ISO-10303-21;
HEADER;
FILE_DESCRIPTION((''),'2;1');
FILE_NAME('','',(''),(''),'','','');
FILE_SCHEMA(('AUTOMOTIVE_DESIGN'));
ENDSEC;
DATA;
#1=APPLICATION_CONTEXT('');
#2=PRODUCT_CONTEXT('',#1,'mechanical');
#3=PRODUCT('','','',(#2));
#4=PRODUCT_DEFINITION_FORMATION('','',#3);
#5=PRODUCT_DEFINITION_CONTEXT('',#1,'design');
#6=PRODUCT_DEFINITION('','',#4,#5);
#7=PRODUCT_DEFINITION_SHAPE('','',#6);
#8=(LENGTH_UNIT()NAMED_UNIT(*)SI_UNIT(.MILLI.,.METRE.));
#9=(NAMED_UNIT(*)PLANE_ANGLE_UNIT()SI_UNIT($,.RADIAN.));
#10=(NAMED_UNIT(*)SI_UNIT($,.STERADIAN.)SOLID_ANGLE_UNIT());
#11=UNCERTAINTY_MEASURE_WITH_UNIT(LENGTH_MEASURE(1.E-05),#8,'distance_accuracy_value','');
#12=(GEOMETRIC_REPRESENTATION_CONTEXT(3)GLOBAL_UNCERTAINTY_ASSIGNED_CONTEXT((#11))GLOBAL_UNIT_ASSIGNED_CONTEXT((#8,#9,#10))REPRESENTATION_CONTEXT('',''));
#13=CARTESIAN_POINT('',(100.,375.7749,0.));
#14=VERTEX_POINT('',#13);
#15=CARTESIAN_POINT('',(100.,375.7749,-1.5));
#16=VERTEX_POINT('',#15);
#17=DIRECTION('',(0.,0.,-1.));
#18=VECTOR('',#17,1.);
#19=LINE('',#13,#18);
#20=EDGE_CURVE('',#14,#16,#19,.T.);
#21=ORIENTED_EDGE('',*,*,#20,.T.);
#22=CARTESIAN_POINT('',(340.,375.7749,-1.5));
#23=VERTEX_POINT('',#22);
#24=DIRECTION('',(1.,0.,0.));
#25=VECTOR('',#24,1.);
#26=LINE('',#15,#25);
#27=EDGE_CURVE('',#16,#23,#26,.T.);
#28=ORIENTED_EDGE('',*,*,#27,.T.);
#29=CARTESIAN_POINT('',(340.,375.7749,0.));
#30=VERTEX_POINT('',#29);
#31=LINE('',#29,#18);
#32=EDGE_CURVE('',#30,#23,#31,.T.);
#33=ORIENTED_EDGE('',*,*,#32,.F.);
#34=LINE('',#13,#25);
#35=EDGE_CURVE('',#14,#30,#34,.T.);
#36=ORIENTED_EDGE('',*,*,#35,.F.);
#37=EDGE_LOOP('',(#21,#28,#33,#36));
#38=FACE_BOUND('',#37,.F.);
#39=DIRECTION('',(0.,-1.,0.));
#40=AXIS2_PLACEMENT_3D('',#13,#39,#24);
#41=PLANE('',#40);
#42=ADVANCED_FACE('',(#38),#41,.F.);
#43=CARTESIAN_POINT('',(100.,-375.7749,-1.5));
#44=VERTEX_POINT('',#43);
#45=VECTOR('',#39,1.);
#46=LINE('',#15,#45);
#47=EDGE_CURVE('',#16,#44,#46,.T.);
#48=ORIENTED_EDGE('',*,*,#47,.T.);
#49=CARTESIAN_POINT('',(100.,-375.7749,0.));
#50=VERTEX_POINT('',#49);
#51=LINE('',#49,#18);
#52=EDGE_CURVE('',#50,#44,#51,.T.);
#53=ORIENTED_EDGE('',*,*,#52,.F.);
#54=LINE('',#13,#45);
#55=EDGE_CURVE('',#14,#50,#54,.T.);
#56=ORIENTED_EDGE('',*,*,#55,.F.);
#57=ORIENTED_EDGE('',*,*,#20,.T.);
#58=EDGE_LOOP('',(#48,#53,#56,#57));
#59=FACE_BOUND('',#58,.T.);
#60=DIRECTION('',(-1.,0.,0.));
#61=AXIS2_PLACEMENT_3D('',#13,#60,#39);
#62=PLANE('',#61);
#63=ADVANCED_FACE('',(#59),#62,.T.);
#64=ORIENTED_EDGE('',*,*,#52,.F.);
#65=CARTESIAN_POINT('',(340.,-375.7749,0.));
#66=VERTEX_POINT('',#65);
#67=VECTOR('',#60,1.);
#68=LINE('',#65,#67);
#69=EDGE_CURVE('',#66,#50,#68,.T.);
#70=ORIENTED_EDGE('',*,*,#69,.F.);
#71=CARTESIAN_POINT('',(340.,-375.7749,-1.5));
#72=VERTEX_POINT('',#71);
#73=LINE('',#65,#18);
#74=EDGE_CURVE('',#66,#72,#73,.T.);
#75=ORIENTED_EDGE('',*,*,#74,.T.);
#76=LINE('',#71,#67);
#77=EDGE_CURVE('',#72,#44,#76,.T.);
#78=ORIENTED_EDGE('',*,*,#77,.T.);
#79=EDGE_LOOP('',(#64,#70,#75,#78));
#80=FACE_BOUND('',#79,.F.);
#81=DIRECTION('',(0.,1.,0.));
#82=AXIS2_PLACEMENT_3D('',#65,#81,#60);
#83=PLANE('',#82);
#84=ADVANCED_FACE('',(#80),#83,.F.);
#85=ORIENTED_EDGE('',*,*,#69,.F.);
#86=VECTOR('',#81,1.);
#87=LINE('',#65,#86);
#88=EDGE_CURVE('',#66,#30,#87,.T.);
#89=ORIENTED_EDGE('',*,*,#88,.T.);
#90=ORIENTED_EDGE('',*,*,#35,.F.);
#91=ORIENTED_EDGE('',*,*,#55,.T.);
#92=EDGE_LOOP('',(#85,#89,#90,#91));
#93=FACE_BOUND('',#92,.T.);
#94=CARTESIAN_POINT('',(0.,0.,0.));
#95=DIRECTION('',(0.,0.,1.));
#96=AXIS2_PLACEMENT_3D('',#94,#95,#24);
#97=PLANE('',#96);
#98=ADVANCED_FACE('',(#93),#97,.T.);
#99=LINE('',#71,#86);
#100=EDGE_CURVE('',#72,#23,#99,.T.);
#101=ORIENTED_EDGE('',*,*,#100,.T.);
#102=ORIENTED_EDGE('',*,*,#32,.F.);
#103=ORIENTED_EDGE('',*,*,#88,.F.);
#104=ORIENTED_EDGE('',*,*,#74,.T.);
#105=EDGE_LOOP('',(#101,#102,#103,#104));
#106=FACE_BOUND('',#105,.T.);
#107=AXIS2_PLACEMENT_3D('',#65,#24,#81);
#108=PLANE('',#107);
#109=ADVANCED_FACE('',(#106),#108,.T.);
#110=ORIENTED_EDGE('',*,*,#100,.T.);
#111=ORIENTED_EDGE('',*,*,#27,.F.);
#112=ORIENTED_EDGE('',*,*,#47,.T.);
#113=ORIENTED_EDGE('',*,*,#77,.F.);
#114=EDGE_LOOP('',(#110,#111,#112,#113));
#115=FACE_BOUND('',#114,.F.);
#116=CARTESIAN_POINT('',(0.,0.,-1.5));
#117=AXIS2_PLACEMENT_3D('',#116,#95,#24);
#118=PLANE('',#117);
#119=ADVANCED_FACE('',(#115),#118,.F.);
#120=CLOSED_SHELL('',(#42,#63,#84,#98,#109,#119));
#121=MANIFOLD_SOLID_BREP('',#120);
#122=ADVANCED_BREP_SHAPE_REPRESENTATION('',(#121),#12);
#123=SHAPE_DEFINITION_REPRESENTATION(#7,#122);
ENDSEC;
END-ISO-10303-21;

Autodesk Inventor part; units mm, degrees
ref_plane "YZ Plane" through (0, 0, 0) normal (1, 0, 0) x (0, 1, 0)
ref_plane "XZ Plane" through (0, 0, 0) normal (0, 1, 0) x (-1, 0, 0)
ref_plane "Work Plane1" through (0, 0, 0) normal (0, 0, 1) x (1, 0, 0)
sketch "Sketch1" plane through (0, 0, 0) normal (0, 0, 1) x (1, 0, 0)
  line L0 (340, -375.7749) -> (340, 375.7749)
  line L1 (100, 375.7749) -> (340, 375.7749)
  line L2 (-102.5, 375.7749) -> (100, 375.7749)
  line L3 (-102.5, 375.7749) -> (-102.5, -375.7749)
  line L4 (100, -375.7749) -> (-102.5, -375.7749)
  line L5 (340, -375.7749) -> (100, -375.7749)
  line L6 (100, 375.7749) -> (100, -375.7749)
  point P0 (0, 0)
extrude "Plate1" add sketch "Sketch1" against normal blind 1.5 contours L5 L6 L1 L0
equation "\"d0\" = Thickness"
equation "\"BendRadius\" = Thickness"
equation "\"BendReliefWidth\" = Thickness"
equation "\"BendReliefDepth\" = 0.5 * Thickness"
equation "\"CornerReliefSize\" = 4 * Thickness"
equation "\"MinimumRemnant\" = 2 * Thickness"
equation "\"TransitionRadius\" = BendRadius"
equation "\"JacobiRadiusSize\" = BendRadius"
equation "\"GapSize\" = Thickness"
equation "\"Thickness\" = 1.5"
properties part number "CARCASA_ALUM_7"
